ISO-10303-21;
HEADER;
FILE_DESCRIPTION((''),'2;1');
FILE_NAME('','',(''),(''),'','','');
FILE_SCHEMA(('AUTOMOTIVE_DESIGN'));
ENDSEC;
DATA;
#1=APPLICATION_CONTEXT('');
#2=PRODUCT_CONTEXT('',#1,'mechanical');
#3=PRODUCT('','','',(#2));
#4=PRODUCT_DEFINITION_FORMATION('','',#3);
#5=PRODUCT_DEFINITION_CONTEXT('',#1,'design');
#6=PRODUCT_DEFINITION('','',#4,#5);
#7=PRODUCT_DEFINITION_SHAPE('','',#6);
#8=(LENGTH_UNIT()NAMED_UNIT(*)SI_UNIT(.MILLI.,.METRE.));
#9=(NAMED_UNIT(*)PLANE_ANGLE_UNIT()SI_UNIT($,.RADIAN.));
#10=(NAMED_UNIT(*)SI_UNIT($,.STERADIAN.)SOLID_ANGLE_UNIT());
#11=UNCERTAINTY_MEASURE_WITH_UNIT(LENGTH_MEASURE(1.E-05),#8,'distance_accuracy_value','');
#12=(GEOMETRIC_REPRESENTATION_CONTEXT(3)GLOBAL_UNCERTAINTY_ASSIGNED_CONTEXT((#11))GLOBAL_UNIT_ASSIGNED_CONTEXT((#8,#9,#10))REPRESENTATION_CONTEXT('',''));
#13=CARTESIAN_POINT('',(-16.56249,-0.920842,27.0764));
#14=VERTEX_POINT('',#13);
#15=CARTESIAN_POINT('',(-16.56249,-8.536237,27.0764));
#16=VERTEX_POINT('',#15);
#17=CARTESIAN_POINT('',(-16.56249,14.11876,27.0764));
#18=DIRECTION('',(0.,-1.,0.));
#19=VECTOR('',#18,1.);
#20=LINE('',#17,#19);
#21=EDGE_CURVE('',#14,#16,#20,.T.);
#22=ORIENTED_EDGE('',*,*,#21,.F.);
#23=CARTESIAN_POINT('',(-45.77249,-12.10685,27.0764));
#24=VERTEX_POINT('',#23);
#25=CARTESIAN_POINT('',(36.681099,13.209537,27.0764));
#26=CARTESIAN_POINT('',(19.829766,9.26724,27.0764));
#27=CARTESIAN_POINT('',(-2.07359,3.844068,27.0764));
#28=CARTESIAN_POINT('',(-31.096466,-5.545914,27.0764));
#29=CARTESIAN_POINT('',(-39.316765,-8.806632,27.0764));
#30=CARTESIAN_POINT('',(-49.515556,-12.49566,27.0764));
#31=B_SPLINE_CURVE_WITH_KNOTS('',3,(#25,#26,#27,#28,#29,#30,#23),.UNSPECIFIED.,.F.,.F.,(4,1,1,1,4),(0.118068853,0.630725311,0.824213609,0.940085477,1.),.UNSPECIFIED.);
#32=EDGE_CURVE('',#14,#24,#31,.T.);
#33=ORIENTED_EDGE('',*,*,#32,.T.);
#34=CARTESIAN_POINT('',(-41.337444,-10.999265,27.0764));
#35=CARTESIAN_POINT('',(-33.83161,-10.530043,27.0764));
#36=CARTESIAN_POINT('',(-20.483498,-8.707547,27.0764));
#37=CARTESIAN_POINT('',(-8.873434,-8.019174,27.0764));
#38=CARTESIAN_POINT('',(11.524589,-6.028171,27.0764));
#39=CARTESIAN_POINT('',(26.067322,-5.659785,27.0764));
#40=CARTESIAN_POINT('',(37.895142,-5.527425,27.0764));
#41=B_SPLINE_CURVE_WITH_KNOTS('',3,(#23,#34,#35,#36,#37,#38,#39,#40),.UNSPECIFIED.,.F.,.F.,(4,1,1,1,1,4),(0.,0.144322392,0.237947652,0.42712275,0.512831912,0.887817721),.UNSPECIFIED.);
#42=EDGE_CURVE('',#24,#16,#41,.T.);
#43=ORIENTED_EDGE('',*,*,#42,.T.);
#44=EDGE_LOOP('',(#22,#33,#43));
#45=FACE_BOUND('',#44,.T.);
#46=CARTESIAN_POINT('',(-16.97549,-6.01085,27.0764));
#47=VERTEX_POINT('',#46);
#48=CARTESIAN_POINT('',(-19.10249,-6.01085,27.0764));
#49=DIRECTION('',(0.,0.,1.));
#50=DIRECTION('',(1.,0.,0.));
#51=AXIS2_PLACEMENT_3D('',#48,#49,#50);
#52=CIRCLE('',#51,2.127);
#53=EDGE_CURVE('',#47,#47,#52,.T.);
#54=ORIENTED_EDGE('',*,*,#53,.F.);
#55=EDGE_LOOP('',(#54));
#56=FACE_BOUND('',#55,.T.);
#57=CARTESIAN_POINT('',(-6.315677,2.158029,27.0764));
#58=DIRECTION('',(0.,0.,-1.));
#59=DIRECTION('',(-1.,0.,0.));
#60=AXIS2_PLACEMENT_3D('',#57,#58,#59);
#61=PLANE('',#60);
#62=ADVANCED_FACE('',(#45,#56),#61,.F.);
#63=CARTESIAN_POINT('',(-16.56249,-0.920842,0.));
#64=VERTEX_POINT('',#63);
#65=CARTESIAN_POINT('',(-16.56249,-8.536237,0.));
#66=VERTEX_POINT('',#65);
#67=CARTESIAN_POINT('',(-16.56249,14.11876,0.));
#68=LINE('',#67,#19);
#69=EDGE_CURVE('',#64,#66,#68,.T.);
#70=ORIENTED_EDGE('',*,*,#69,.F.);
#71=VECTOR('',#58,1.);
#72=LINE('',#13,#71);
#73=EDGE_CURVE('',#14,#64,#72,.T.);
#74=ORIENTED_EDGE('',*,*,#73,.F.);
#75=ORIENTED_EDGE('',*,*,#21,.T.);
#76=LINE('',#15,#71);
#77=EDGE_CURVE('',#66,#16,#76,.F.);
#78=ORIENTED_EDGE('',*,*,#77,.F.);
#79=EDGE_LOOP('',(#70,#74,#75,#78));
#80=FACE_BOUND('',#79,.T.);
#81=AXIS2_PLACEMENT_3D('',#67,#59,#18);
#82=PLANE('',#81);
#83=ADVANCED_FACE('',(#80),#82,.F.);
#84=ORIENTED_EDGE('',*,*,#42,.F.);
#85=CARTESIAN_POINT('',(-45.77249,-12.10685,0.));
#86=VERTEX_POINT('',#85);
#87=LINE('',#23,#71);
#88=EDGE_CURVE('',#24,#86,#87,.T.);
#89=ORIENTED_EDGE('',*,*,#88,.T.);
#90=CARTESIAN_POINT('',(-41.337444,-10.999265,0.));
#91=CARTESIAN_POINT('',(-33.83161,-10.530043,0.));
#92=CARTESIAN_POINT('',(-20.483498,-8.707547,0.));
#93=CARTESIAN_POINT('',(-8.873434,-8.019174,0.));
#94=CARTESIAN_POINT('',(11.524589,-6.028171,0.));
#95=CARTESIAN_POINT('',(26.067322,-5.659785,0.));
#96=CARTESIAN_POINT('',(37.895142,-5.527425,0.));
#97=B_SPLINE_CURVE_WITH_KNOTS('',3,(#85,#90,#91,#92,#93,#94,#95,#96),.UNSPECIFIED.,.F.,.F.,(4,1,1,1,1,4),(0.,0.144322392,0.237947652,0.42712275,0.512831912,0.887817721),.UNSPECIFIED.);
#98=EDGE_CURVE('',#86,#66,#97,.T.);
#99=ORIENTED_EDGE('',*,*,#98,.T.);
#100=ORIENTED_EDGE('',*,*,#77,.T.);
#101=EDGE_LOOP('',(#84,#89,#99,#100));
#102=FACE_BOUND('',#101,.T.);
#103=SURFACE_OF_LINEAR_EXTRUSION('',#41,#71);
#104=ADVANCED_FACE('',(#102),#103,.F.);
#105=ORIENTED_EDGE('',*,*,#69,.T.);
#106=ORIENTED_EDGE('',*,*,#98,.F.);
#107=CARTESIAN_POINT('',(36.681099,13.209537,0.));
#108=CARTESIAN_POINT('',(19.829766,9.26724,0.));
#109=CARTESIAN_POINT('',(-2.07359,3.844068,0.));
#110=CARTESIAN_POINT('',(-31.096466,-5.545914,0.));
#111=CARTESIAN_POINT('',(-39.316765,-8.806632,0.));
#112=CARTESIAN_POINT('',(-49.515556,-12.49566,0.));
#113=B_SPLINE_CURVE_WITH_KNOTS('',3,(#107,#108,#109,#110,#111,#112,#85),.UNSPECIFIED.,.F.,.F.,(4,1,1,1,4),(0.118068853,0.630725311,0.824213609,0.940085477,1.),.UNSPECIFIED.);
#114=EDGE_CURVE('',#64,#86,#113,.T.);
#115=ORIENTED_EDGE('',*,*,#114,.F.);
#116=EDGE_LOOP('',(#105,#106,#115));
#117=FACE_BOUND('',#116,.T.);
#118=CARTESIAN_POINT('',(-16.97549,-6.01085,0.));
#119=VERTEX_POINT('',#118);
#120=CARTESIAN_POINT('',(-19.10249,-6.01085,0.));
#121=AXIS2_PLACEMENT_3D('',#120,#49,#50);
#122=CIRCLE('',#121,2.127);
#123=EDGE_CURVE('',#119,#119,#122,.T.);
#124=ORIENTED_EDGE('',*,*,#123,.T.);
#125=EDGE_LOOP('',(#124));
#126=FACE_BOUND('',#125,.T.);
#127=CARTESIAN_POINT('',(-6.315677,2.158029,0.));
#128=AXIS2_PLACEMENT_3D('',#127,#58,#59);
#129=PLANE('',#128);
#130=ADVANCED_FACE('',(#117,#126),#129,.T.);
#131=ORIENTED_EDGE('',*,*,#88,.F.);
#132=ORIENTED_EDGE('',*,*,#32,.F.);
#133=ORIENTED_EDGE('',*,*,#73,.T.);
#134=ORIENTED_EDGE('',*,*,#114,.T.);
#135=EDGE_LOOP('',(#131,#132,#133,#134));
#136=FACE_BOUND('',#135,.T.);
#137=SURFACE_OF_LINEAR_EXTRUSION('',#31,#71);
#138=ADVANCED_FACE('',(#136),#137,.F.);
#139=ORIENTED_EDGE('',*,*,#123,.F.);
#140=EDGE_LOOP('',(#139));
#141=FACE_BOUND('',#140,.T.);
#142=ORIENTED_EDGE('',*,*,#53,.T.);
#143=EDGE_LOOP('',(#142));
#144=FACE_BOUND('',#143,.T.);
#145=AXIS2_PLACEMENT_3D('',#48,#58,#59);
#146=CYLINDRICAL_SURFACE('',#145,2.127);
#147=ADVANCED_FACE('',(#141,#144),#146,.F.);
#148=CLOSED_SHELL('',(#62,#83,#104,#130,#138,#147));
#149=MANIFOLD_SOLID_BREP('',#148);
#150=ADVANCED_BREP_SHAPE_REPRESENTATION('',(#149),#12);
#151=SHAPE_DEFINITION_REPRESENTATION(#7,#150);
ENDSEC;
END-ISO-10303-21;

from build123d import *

# Parameters (mm, degrees)
SKETCH1_R           = 2.127
SKETCH1_R_2         = 2.032
BOSS_EXTRUDE1_DEPTH = 27.0764
SKETCH2_W           = 104.732489184
SKETCH2_H           = 32.948386637
CUT_EXTRUDE1_DEPTH  = 27.0764


with BuildPart() as part:
    # Sketch1 → Boss-Extrude1 (new body)
    with BuildSketch(Plane.XY):
        with BuildLine():
            Line((42.918297493, -0.447743106), (42.918297493, 8.263094686))
            ThreePointArc((42.918297493, 8.263094686), (40.994864427, 12.243356636), (36.681098599, 13.209536914))
            add(Edge.make_bspline(
                [(36.681098599, 13.209536914), (19.829765645, 9.267240013), (-2.073589943, 3.844068304), (-31.096466219, -5.545914493), (-39.316765165, -8.806631661), (-49.515556323, -12.495660485), (-45.77248955, -12.10685039)],
                knots=[0.118068853, 0.118068853, 0.118068853, 0.118068853, 0.630725311, 0.824213609, 0.940085477, 1, 1, 1, 1], degree=3))
            add(Edge.make_bspline(
                [(-45.77248955, -12.10685039), (-41.337443699, -10.999265489), (-33.831609628, -10.530043097), (-20.483498257, -8.707547198), (-8.873433654, -8.01917435), (11.524588595, -6.028171323), (26.067321973, -5.659784939), (37.895141959, -5.527425055)],
                knots=[0, 0, 0, 0, 0.144322392, 0.237947652, 0.42712275, 0.512831912, 0.887817721, 0.887817721, 0.887817721, 0.887817721], degree=3))
            ThreePointArc((37.895141959, -5.527425055), (41.450441586, -4.019691462), (42.918297493, -0.447743106))
        make_face()
        with Locations((-19.10248955, -6.01085039)):
            Circle(SKETCH1_R, mode=Mode.SUBTRACT)
        with Locations((12.64751045, 4.40314961)):
            Circle(SKETCH1_R, mode=Mode.SUBTRACT)
        with Locations((33.89346968, 3.421717851)):
            Circle(SKETCH1_R_2, mode=Mode.SUBTRACT)
    extrude(amount=BOSS_EXTRUDE1_DEPTH)

    # Sketch2 → Cut-Extrude1 (cut)
    with BuildSketch(Plane.XY.offset(27.0764)):
        with Locations((35.803755042, -2.355433399)):
            Rectangle(SKETCH2_W, SKETCH2_H)
    extrude(amount=-CUT_EXTRUDE1_DEPTH, mode=Mode.SUBTRACT)


solid = part.part
